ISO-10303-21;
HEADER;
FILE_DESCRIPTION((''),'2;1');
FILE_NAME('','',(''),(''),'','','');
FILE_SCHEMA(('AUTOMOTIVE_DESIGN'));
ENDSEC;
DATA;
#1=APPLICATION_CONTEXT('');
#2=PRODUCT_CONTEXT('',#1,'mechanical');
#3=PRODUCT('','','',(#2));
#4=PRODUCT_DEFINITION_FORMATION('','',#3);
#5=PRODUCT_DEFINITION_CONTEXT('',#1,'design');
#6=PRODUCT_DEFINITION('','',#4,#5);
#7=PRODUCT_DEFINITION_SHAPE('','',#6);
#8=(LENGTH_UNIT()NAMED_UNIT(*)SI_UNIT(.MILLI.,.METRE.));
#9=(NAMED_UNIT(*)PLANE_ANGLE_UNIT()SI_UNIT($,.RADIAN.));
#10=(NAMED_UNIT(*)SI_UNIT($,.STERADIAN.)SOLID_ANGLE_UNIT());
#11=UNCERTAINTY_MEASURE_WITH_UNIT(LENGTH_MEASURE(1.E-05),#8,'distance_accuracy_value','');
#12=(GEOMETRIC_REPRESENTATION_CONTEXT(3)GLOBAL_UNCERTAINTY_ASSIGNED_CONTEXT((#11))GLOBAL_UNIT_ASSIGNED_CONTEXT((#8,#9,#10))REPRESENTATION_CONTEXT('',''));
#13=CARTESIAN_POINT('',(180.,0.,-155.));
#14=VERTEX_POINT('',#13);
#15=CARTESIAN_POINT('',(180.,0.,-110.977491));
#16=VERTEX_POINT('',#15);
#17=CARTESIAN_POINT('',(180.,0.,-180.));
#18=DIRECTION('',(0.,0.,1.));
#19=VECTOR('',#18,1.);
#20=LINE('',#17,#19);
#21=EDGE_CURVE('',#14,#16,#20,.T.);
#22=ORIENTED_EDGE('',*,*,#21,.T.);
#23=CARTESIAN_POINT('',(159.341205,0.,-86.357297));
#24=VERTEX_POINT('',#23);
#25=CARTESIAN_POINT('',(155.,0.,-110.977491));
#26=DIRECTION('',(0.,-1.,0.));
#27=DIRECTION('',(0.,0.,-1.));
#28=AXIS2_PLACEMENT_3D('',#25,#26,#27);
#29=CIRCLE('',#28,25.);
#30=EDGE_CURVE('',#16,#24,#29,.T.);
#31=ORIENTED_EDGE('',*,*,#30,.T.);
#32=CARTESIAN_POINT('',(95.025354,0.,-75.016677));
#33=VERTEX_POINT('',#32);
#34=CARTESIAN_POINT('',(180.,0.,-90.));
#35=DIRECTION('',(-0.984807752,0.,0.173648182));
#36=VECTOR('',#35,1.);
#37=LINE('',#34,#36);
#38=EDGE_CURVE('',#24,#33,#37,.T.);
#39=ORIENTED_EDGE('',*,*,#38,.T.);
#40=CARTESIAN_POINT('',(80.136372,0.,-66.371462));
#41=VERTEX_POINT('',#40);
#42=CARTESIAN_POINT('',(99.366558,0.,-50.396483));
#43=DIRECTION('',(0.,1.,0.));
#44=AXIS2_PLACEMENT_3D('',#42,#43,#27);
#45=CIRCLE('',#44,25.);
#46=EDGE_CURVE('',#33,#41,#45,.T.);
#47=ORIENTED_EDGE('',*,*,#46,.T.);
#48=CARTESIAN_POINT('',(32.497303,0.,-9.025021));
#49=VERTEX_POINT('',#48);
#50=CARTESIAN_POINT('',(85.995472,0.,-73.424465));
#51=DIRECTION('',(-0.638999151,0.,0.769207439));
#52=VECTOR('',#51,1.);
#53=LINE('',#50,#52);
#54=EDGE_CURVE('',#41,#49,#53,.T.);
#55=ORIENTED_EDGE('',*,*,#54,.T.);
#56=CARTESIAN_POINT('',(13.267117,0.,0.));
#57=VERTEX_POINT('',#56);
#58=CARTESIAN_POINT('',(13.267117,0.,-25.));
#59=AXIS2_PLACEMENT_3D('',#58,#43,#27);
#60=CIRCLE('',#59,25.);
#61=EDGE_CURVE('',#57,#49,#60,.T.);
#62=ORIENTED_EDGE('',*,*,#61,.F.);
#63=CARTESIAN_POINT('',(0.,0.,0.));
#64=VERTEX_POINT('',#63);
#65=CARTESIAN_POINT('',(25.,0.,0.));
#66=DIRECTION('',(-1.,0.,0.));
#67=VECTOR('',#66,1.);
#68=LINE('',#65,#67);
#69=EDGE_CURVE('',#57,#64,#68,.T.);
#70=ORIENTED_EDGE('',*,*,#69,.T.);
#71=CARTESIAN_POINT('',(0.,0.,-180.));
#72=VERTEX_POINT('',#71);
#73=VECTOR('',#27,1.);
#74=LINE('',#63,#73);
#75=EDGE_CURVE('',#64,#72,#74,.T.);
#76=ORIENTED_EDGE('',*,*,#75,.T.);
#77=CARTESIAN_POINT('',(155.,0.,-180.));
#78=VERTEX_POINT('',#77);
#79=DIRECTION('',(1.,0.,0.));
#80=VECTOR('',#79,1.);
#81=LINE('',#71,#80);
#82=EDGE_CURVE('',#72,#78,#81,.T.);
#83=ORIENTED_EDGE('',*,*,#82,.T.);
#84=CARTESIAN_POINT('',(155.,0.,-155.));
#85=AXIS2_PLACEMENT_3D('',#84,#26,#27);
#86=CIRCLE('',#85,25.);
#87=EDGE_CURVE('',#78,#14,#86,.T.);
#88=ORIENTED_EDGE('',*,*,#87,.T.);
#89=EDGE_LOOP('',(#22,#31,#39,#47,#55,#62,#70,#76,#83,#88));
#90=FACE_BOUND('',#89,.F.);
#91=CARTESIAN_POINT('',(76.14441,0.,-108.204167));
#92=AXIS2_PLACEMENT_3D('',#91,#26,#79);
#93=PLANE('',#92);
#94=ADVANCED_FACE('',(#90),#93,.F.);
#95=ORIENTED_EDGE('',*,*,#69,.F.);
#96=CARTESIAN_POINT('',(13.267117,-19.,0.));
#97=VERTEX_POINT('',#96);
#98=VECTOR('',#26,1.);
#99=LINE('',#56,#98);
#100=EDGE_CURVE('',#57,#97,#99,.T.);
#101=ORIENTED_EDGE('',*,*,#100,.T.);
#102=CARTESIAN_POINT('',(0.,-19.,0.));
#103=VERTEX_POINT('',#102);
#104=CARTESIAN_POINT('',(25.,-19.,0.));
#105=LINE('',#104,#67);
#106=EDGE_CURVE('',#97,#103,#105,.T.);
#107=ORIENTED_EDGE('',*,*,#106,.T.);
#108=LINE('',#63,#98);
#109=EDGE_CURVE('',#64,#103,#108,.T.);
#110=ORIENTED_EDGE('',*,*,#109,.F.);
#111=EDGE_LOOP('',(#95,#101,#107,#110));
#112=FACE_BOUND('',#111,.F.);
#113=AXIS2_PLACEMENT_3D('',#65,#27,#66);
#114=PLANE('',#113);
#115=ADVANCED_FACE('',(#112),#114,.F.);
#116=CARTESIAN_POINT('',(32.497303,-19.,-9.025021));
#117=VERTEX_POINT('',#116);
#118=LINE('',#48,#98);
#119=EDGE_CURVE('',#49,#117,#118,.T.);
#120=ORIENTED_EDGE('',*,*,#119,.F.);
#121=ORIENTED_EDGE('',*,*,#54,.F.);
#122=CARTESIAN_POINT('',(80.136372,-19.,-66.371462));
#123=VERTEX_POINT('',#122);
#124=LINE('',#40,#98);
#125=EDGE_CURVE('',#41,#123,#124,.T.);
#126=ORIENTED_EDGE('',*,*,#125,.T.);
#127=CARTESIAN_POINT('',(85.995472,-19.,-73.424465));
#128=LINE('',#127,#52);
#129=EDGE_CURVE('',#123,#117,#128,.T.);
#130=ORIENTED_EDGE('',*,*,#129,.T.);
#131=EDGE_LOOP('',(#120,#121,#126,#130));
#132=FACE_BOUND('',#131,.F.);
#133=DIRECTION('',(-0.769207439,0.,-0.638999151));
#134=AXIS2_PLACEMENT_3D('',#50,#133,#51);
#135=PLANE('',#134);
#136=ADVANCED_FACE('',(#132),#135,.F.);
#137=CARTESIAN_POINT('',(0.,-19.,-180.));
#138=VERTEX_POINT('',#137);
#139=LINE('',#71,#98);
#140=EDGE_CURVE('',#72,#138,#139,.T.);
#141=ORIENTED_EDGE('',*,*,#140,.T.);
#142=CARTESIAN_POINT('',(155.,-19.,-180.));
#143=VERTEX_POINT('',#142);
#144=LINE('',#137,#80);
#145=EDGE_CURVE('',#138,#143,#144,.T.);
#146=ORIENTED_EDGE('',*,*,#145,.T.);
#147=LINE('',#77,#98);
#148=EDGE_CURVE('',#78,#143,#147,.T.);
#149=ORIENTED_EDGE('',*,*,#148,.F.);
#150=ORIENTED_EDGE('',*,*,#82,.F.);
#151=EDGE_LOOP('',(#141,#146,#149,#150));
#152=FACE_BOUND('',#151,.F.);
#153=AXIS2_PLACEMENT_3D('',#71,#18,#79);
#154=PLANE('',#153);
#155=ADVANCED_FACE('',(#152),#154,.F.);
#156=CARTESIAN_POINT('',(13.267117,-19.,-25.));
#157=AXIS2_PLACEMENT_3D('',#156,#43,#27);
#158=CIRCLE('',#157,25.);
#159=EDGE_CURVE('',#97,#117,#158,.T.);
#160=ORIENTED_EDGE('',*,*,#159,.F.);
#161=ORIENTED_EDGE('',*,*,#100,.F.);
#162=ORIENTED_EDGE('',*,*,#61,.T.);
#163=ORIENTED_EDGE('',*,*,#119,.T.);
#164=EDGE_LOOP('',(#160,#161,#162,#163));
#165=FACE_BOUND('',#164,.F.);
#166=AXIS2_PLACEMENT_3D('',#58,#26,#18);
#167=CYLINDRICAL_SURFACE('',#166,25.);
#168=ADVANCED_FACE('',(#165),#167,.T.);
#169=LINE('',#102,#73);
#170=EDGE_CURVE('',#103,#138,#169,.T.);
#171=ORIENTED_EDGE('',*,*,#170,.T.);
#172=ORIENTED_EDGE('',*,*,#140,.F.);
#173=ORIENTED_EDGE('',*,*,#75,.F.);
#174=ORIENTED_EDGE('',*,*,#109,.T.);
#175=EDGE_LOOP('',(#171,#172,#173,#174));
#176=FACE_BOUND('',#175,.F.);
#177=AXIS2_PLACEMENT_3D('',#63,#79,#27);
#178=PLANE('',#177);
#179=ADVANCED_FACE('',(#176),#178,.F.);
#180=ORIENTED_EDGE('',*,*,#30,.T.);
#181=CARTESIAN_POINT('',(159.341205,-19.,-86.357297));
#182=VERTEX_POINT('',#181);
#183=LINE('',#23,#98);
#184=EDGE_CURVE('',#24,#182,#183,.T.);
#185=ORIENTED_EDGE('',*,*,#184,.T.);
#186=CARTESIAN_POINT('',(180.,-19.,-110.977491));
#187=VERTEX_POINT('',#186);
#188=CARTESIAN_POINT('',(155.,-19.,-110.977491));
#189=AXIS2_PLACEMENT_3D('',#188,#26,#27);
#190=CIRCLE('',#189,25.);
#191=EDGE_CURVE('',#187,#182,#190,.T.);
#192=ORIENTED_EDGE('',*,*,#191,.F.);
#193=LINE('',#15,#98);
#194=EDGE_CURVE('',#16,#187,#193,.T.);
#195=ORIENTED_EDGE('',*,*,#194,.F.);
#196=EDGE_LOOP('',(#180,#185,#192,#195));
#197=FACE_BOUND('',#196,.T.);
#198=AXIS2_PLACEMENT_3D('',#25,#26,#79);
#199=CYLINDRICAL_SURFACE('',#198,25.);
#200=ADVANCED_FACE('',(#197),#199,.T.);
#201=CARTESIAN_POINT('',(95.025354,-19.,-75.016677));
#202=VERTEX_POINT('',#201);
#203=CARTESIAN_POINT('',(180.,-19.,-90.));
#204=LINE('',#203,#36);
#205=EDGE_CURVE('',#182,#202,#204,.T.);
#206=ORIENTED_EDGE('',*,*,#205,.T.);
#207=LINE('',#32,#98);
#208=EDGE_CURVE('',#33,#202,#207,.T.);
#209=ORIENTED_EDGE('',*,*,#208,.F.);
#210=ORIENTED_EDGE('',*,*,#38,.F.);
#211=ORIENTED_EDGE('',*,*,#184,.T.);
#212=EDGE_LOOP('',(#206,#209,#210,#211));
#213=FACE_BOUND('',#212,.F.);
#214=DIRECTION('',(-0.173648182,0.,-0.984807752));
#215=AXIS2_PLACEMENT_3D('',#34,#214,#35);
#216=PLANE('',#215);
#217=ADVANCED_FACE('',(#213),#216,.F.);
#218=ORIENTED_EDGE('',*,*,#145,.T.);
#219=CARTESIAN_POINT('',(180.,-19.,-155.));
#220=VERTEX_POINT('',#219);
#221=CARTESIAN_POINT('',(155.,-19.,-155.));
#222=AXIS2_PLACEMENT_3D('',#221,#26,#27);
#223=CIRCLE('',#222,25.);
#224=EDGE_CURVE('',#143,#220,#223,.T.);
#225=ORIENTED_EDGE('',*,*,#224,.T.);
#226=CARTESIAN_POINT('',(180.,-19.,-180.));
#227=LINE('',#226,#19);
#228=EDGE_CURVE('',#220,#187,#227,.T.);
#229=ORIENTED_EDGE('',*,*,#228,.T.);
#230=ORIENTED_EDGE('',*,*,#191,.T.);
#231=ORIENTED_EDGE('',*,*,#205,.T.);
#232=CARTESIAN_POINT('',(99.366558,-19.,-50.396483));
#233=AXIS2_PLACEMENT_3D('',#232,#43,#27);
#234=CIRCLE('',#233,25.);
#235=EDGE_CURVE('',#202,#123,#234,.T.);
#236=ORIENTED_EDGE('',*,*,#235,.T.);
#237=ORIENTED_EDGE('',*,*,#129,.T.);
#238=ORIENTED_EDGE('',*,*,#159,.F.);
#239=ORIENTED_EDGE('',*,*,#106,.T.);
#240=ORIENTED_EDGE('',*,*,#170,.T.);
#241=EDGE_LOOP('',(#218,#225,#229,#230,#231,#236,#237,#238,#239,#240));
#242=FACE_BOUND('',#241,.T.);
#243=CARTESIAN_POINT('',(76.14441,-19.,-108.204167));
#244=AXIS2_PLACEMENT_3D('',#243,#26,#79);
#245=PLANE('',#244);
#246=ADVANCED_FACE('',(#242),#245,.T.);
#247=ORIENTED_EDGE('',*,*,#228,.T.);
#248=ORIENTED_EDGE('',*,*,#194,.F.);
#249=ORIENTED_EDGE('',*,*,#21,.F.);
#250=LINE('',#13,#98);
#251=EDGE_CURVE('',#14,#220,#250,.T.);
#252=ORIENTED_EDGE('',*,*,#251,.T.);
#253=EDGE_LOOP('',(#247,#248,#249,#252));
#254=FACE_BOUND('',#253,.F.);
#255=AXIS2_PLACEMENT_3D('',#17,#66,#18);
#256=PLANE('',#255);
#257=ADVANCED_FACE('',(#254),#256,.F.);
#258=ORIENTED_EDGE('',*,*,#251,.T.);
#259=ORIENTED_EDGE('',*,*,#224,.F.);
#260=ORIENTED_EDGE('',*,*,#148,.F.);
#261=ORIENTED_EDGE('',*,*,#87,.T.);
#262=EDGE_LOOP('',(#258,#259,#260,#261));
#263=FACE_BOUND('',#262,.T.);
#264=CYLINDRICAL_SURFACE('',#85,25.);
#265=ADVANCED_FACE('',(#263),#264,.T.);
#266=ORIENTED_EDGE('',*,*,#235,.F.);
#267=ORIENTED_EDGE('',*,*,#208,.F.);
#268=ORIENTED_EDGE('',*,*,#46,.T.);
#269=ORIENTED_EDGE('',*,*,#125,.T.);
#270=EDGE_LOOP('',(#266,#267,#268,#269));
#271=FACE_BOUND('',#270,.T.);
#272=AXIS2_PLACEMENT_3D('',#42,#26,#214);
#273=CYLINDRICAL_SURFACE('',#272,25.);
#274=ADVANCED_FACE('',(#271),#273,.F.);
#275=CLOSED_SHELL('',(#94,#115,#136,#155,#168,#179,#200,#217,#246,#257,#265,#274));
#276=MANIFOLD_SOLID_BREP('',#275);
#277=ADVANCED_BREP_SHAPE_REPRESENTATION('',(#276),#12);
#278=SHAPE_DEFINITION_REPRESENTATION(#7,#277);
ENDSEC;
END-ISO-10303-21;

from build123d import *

# Parameters (mm, degrees)
F1_DEPTH = 19
F2_R     = 25


with BuildPart() as f1:
    # F0 (on Front) → F1 (new body)
    with BuildSketch(Plane.XZ):
        Polygon((25, 0), (0, 0), (0, -180), (180, -180), (180, -90), (85.995472, -73.424465), align=None)
    extrude(amount=F1_DEPTH)

    # F2
    f2_edges = [f1.edges().sort_by_distance(p)[0] for p in [
        (25, -9.5, 0),
        (85.995472, -9.5, -73.424465),
        (180, -9.5, -90),
        (180, -9.5, -180),
    ]]
    fillet(f2_edges, radius=F2_R)


solid = f1.part
